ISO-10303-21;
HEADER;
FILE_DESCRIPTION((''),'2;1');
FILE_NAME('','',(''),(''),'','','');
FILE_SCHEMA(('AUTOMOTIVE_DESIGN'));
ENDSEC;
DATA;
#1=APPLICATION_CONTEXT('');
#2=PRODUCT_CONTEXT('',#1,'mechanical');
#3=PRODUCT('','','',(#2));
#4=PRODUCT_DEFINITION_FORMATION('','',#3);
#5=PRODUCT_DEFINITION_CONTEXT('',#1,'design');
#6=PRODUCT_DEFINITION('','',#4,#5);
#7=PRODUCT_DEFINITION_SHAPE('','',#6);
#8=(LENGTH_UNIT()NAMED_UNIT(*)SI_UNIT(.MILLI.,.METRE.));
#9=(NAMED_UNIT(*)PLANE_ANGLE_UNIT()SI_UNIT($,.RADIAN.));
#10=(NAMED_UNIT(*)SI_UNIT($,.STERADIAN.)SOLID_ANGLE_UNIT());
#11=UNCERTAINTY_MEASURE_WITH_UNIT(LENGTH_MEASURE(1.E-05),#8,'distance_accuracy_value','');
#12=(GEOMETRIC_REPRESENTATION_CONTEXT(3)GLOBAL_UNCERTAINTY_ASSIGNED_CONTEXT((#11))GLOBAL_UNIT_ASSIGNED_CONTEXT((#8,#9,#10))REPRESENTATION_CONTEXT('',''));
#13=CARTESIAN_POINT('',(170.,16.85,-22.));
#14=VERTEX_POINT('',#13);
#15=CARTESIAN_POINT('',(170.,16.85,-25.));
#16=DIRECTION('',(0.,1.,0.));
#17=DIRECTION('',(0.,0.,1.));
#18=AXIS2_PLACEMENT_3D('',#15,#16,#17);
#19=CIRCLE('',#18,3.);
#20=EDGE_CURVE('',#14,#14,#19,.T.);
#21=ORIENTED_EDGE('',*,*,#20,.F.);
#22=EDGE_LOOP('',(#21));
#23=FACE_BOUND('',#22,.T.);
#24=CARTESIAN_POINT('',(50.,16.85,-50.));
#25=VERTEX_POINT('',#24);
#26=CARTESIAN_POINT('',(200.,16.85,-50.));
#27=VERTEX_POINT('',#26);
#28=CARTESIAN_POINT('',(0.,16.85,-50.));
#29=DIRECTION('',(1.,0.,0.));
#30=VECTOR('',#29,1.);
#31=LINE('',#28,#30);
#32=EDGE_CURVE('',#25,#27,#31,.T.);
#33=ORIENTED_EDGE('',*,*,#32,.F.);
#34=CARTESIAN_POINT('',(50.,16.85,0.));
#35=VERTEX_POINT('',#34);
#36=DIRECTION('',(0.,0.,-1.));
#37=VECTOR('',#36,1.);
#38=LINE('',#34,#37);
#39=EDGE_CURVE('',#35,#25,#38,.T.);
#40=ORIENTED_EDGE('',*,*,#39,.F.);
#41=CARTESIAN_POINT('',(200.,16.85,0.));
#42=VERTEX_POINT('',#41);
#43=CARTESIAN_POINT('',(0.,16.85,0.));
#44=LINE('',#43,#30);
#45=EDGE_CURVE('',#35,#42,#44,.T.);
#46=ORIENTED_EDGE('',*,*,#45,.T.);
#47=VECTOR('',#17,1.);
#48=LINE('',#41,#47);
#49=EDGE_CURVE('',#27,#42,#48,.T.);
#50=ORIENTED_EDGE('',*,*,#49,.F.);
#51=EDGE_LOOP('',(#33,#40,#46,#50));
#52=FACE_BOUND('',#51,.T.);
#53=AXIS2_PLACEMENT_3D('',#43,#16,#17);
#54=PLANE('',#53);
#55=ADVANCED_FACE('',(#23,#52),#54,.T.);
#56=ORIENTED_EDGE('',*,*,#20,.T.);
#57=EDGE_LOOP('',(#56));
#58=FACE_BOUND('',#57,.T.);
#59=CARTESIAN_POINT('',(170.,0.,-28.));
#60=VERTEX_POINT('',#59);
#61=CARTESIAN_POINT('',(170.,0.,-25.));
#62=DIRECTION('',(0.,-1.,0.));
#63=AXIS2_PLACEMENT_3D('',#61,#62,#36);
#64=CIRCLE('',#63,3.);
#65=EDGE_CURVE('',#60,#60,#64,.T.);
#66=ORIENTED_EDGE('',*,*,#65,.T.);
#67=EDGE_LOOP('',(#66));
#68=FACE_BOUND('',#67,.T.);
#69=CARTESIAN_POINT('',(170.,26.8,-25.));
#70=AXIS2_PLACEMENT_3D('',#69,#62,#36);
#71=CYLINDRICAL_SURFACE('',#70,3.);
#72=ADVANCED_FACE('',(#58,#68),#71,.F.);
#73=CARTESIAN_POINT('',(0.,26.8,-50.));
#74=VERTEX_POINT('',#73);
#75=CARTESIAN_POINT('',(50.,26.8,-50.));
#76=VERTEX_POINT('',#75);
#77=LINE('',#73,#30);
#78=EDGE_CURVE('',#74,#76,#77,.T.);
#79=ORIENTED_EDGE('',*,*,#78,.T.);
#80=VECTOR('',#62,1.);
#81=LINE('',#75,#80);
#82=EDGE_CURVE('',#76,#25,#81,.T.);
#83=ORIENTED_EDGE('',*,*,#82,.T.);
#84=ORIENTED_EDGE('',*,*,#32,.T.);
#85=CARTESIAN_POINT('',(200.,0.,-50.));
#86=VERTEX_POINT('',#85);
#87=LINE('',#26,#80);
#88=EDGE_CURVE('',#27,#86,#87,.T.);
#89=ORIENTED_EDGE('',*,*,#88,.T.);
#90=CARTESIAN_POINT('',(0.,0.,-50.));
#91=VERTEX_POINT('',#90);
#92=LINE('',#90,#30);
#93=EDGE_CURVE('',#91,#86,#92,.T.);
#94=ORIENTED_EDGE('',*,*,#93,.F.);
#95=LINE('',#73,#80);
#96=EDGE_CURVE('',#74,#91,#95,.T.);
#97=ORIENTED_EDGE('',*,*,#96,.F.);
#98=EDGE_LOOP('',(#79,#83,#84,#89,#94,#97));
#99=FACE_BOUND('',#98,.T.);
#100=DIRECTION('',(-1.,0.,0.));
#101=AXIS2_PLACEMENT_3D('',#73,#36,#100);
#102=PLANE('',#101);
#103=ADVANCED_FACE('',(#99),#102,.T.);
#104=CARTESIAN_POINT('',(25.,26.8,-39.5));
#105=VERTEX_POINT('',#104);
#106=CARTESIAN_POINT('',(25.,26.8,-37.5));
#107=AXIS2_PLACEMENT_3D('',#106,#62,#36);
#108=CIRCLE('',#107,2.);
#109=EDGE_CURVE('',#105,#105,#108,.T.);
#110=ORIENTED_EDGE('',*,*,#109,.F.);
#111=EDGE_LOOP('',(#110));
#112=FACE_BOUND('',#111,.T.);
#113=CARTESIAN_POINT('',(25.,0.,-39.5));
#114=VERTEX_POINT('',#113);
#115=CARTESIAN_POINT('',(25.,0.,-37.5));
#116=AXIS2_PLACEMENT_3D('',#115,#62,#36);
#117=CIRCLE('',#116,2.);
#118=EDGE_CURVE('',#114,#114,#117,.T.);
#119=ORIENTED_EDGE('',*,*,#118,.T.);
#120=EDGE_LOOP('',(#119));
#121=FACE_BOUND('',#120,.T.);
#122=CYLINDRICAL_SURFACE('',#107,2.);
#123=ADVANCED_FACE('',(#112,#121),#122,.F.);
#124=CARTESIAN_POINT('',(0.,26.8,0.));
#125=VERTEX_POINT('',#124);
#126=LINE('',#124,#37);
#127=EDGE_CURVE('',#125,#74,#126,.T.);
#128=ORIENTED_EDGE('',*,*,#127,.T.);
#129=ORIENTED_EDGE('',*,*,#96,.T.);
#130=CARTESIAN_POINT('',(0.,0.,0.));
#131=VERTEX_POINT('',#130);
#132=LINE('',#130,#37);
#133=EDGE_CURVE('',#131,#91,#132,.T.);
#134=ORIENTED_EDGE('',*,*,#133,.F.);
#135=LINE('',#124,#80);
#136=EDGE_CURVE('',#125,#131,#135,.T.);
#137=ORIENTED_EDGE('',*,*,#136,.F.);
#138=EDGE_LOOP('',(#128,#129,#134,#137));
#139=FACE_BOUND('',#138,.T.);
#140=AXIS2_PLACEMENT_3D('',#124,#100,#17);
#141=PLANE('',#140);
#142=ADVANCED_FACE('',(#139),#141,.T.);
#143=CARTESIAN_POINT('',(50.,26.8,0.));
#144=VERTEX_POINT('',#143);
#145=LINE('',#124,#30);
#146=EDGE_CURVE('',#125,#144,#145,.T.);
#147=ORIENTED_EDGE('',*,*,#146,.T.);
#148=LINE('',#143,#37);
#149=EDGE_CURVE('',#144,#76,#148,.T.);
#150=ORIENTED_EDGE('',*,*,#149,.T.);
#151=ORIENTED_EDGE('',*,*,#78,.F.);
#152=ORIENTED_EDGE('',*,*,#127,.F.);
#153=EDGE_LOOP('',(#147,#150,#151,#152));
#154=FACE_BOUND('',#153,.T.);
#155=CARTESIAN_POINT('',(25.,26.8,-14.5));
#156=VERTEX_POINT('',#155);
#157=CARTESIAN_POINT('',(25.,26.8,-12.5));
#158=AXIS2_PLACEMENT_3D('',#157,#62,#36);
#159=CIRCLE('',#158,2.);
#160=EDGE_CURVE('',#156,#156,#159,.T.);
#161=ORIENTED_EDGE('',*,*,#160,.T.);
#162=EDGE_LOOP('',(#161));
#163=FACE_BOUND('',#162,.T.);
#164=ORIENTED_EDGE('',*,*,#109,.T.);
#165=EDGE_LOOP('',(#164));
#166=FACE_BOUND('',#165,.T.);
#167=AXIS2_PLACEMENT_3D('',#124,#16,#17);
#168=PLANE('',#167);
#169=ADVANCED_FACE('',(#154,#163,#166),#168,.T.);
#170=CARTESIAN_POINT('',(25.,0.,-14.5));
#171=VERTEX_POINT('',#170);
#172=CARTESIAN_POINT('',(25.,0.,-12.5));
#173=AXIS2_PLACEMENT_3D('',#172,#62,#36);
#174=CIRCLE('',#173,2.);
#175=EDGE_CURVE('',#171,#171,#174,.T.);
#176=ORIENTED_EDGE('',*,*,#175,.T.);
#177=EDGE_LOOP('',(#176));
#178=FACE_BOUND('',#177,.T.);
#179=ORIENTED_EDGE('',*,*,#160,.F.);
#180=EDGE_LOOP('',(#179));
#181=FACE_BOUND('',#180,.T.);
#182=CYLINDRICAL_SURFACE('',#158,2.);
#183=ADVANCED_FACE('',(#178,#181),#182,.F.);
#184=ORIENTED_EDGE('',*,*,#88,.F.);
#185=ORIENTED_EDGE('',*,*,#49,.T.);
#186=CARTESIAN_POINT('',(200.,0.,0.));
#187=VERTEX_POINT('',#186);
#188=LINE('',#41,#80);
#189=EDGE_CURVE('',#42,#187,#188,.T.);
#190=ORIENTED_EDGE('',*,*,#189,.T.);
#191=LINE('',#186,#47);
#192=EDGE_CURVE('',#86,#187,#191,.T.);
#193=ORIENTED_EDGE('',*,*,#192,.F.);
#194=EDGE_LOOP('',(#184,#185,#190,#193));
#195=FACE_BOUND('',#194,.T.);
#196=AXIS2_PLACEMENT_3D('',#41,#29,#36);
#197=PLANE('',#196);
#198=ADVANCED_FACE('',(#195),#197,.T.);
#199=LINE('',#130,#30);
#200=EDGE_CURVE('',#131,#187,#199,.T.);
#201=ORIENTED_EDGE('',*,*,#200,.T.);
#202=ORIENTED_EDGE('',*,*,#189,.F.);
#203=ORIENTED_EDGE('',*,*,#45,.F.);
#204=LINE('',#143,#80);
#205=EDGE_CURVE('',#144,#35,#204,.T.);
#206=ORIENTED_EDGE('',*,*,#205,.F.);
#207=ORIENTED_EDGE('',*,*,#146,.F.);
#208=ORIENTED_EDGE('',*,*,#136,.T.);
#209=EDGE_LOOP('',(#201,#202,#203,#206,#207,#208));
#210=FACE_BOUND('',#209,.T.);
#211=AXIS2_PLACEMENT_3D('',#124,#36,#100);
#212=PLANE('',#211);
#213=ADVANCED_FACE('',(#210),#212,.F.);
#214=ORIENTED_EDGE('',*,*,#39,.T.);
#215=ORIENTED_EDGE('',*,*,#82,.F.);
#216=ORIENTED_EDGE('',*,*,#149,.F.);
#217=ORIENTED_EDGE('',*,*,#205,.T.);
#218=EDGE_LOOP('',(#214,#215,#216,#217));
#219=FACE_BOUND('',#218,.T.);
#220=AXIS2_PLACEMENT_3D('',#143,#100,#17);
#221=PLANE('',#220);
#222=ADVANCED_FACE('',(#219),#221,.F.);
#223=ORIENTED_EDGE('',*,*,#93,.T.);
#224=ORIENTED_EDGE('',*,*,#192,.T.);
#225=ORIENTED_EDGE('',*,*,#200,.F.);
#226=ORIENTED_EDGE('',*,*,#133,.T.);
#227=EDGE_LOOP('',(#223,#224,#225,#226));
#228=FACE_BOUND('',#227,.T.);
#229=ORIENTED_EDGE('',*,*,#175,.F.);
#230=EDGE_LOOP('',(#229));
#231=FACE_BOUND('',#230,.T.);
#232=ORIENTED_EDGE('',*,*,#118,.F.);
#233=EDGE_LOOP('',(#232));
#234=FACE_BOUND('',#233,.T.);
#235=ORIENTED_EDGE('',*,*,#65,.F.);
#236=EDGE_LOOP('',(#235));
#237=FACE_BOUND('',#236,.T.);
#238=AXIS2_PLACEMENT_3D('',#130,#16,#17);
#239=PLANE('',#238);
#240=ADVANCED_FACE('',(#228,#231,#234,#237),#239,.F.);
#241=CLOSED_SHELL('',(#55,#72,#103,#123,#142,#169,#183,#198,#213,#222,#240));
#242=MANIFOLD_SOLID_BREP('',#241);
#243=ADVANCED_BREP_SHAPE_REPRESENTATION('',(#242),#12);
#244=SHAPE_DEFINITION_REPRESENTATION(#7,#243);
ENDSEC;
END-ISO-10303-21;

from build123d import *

# Parameters (mm, degrees)
SKETCH1_W           = 50
SKETCH1_H           = 50
BOSS_EXTRUDE1_DEPTH = 26.8
SKETCH1_3_W         = 150
SKETCH1_3_H         = 50
BOSS_EXTRUDE2_DEPTH = 16.85
SKETCH2_R           = 2
SKETCH2_R_2         = 3
CUT_EXTRUDE1_DEPTH  = 208.889970898


with BuildPart() as part:
    # Sketch1 → Boss-Extrude1 (new body)
    with BuildSketch(Plane(origin=(0, 0, 0), x_dir=(1, 0, 0), z_dir=(0, 1, 0))):
        with Locations((25, 25)):
            Rectangle(SKETCH1_W, SKETCH1_H)
    extrude(amount=BOSS_EXTRUDE1_DEPTH)

    # Sketch1<3> → Boss-Extrude2 (add)
    with BuildSketch(Plane(origin=(0, 0, 0), x_dir=(1, 0, 0), z_dir=(0, 1, 0))):
        with Locations((125, 25)):
            Rectangle(SKETCH1_3_W, SKETCH1_3_H)
    extrude(amount=BOSS_EXTRUDE2_DEPTH)

    # Sketch2 → Cut-Extrude1 (cut, through all)
    with BuildSketch(Plane.XZ):
        with Locations((25, -37.5)):
            Circle(SKETCH2_R)
        with Locations((25, -12.5)):
            Circle(SKETCH2_R)
        with Locations((170, -25)):
            Circle(SKETCH2_R_2)
    extrude(amount=-CUT_EXTRUDE1_DEPTH, mode=Mode.SUBTRACT)


solid = part.part
